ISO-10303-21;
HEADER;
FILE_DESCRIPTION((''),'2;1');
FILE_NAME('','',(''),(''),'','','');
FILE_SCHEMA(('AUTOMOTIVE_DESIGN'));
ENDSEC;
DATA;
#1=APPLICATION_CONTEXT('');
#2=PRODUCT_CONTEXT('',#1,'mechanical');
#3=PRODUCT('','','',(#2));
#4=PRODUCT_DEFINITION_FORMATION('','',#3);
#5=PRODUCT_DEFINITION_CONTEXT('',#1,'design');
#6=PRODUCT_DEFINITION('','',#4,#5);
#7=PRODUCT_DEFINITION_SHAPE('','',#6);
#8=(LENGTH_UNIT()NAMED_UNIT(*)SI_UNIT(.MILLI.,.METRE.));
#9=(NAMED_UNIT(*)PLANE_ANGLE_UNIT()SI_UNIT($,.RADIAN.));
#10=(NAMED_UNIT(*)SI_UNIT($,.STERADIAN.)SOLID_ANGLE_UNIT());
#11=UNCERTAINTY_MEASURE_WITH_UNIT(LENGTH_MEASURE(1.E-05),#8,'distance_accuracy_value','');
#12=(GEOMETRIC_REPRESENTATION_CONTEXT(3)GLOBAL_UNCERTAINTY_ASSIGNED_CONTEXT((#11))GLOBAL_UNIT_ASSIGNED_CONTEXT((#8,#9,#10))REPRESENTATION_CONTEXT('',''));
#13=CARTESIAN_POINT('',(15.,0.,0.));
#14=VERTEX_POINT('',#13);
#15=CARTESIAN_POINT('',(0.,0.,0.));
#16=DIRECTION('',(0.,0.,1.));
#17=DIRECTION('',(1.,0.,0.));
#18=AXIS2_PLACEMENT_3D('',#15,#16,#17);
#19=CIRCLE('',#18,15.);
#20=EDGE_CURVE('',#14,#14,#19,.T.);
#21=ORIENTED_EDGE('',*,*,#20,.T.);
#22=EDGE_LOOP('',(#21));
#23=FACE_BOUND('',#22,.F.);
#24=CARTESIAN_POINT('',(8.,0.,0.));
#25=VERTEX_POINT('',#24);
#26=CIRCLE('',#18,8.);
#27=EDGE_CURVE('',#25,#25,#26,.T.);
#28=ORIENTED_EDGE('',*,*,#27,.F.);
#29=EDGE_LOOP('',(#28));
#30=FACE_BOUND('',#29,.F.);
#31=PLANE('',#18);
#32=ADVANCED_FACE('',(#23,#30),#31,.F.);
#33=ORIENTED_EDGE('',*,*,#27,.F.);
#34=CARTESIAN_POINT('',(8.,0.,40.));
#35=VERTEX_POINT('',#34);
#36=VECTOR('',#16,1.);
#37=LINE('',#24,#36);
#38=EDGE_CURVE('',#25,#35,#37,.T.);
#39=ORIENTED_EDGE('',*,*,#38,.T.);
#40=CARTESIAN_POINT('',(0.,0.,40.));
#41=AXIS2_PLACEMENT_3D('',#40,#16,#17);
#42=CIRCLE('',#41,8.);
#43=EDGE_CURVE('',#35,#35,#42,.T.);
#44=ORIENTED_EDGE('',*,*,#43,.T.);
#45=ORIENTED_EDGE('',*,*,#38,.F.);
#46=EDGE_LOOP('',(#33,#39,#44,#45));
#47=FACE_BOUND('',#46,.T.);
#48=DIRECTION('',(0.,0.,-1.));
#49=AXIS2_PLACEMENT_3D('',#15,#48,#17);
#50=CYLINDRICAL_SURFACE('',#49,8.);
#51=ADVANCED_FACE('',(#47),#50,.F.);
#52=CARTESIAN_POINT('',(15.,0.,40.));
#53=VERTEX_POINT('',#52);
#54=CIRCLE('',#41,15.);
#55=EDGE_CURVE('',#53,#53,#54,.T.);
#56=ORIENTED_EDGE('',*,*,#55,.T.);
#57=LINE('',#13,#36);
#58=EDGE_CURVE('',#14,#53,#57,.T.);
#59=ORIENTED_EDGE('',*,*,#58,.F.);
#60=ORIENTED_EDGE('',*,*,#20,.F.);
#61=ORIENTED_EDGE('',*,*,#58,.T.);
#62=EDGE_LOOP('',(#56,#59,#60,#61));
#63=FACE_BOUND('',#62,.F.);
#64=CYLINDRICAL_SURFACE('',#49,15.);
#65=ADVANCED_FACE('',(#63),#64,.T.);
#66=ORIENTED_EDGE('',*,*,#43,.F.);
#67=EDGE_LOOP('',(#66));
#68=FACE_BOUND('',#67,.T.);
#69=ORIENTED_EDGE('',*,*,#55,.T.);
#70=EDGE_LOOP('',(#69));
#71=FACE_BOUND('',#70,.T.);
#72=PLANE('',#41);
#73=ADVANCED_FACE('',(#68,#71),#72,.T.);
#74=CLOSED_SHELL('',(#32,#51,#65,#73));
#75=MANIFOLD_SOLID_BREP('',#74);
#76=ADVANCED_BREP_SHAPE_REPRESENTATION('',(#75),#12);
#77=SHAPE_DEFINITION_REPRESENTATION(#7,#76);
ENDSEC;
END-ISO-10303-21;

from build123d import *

# Parameters (mm, degrees)
SKETCH_R   = 15
SKETCH_R_2 = 8
PAD_DEPTH  = 40


with BuildPart() as part:
    # Sketch → Pad (new body)
    with BuildSketch(Plane.XY):
        Circle(SKETCH_R)
        Circle(SKETCH_R_2, mode=Mode.SUBTRACT)
    extrude(amount=PAD_DEPTH)


solid = part.part
